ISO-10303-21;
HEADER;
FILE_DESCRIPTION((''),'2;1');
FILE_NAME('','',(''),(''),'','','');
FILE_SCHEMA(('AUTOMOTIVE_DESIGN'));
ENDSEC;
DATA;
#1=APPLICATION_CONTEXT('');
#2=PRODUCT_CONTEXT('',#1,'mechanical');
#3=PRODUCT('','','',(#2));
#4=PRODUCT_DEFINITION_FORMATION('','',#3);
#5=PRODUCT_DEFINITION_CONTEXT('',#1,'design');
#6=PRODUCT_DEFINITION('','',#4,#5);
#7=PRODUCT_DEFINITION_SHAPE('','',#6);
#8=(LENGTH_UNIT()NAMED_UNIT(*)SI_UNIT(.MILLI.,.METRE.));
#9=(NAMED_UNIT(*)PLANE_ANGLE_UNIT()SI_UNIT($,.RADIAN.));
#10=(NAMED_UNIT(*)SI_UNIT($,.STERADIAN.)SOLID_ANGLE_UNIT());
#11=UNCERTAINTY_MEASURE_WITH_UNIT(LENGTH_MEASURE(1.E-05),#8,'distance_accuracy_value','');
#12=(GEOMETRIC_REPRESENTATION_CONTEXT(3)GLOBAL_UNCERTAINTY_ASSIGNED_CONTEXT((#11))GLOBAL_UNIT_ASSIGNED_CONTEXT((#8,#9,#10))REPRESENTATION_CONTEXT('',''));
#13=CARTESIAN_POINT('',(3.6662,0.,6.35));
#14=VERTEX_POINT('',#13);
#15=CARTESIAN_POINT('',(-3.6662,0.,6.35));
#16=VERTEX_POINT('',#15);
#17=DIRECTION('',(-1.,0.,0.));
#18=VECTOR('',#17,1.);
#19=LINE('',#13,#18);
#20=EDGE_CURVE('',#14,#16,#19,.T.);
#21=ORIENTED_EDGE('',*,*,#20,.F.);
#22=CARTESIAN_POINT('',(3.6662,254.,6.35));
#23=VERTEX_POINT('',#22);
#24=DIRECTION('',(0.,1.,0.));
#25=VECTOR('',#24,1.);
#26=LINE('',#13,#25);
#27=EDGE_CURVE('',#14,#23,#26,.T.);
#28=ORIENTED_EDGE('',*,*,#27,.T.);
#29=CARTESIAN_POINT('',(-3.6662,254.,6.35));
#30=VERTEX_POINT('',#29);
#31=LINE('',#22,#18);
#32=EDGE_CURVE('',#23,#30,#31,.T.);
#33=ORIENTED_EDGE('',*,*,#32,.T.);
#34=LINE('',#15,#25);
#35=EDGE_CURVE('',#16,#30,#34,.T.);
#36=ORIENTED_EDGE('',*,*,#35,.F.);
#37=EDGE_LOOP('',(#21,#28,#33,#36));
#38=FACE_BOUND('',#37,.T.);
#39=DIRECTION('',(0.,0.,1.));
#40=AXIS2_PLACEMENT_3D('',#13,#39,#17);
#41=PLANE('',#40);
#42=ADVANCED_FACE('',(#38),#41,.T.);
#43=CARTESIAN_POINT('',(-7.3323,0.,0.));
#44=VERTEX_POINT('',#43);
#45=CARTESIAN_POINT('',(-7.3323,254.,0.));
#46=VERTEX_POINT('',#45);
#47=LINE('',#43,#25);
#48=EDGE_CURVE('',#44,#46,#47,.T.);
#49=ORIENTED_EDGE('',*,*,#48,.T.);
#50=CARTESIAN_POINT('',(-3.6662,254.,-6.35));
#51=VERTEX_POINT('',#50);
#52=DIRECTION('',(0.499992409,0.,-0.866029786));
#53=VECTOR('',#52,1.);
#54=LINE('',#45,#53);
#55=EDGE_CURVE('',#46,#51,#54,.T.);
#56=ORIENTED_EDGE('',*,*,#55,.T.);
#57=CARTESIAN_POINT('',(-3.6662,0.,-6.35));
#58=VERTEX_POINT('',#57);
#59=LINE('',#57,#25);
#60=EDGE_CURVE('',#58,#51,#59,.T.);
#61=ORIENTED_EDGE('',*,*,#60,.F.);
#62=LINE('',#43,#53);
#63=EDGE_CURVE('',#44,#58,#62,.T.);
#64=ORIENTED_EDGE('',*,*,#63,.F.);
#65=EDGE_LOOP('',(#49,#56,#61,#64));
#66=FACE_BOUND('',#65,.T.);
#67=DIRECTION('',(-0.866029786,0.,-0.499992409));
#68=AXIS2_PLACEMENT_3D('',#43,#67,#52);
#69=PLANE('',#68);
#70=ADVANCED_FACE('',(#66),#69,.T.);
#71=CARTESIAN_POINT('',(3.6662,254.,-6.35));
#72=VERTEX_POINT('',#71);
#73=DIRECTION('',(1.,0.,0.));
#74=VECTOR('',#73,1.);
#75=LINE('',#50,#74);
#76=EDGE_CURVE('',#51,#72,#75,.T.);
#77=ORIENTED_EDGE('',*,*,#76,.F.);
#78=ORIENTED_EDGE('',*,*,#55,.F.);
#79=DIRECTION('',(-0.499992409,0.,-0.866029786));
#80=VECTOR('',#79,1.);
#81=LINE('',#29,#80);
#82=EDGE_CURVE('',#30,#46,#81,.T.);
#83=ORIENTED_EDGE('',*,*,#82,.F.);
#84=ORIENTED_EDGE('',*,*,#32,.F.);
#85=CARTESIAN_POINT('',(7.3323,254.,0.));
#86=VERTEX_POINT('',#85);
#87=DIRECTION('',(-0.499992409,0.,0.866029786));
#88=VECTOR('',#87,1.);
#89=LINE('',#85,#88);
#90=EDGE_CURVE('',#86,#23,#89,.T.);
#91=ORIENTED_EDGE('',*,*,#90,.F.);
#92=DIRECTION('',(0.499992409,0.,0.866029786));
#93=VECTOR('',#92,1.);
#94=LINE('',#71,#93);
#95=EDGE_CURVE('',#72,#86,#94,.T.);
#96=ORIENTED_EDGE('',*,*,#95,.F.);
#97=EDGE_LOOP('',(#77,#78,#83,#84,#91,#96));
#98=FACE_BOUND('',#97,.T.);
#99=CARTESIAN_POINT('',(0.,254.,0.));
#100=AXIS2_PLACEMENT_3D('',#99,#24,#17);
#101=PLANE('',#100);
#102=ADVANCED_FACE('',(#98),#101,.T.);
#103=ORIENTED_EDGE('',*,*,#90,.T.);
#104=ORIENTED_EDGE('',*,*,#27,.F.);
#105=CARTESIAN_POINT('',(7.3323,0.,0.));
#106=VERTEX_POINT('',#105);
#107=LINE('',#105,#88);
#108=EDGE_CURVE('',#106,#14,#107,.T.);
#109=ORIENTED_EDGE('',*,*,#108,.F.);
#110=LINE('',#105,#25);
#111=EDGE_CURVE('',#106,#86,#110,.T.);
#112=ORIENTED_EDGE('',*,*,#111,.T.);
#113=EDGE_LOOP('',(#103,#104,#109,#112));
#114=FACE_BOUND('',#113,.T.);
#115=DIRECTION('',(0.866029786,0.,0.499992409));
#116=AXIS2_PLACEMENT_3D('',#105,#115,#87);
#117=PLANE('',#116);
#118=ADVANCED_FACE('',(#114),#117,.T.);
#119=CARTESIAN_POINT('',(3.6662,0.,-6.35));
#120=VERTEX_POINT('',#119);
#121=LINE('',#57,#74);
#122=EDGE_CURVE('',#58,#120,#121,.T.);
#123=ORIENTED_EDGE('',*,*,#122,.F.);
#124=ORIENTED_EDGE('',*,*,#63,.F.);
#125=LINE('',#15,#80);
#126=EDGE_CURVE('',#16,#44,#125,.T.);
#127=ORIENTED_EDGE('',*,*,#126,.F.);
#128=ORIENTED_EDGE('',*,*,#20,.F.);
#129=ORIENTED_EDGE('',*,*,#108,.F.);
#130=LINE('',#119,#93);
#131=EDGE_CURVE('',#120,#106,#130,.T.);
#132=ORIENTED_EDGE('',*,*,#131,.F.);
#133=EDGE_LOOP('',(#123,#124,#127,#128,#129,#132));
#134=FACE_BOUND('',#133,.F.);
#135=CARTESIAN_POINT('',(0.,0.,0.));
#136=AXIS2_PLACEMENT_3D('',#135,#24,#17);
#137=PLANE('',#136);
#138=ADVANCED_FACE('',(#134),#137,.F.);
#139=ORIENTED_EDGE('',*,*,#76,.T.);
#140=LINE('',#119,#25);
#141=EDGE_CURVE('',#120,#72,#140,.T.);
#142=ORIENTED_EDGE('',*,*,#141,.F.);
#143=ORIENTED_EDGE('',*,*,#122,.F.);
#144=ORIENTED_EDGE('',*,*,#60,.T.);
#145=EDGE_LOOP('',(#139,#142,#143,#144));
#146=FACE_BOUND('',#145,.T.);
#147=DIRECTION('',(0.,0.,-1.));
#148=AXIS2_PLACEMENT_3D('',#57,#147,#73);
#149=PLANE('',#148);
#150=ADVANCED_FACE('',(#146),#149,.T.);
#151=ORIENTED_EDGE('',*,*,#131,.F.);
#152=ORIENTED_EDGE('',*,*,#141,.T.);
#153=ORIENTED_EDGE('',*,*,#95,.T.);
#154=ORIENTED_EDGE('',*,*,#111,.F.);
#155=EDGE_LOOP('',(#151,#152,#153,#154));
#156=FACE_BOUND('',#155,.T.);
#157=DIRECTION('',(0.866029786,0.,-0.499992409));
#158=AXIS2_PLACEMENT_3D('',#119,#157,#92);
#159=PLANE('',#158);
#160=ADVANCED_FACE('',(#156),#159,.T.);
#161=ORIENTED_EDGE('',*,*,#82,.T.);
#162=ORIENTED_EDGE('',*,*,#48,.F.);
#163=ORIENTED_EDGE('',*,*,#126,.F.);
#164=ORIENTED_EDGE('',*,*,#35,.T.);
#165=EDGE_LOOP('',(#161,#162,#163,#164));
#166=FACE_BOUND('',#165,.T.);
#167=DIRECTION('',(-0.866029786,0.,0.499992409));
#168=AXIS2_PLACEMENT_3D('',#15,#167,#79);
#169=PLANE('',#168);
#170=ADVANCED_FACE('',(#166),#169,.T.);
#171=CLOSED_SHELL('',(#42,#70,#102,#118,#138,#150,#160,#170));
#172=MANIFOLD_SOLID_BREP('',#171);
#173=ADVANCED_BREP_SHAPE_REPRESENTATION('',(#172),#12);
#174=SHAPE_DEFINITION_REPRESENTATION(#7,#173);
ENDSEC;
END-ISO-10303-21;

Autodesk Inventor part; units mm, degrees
ref_plane "YZ Plane" through (0, 0, 0) normal (1, 0, 0) x (0, 1, 0)
ref_plane "XZ Plane" through (0, 0, 0) normal (0, 1, 0) x (-1, 0, 0)
ref_plane "XY Plane" through (0, 0, 0) normal (0, 0, 1) x (1, 0, 0)
sketch "Sketch1" plane through (0, 0, 0) normal (0, 1, 0) x (-1, 0, 0)
  line L0 (-3.6662, -6.35) -> (-7.3323, 0)
  line L1 (-7.3323, 0) -> (-3.6662, 6.35)
  line L2 (-3.6662, 6.35) -> (3.6662, 6.35)
  line L3 (3.6662, 6.35) -> (7.3323, 0)
  line L4 (7.3323, 0) -> (3.6662, -6.35)
  line L5 (3.6662, -6.35) -> (-3.6662, -6.35)
  point P0 (0, 0)
  point P1 (0, 0)
  dimension "d0" = 12.7
extrude "Extrusion1" add sketch "Sketch1" along normal blind 254
properties part number "STOCK,HEX,SHAFT,OUTPUT"
